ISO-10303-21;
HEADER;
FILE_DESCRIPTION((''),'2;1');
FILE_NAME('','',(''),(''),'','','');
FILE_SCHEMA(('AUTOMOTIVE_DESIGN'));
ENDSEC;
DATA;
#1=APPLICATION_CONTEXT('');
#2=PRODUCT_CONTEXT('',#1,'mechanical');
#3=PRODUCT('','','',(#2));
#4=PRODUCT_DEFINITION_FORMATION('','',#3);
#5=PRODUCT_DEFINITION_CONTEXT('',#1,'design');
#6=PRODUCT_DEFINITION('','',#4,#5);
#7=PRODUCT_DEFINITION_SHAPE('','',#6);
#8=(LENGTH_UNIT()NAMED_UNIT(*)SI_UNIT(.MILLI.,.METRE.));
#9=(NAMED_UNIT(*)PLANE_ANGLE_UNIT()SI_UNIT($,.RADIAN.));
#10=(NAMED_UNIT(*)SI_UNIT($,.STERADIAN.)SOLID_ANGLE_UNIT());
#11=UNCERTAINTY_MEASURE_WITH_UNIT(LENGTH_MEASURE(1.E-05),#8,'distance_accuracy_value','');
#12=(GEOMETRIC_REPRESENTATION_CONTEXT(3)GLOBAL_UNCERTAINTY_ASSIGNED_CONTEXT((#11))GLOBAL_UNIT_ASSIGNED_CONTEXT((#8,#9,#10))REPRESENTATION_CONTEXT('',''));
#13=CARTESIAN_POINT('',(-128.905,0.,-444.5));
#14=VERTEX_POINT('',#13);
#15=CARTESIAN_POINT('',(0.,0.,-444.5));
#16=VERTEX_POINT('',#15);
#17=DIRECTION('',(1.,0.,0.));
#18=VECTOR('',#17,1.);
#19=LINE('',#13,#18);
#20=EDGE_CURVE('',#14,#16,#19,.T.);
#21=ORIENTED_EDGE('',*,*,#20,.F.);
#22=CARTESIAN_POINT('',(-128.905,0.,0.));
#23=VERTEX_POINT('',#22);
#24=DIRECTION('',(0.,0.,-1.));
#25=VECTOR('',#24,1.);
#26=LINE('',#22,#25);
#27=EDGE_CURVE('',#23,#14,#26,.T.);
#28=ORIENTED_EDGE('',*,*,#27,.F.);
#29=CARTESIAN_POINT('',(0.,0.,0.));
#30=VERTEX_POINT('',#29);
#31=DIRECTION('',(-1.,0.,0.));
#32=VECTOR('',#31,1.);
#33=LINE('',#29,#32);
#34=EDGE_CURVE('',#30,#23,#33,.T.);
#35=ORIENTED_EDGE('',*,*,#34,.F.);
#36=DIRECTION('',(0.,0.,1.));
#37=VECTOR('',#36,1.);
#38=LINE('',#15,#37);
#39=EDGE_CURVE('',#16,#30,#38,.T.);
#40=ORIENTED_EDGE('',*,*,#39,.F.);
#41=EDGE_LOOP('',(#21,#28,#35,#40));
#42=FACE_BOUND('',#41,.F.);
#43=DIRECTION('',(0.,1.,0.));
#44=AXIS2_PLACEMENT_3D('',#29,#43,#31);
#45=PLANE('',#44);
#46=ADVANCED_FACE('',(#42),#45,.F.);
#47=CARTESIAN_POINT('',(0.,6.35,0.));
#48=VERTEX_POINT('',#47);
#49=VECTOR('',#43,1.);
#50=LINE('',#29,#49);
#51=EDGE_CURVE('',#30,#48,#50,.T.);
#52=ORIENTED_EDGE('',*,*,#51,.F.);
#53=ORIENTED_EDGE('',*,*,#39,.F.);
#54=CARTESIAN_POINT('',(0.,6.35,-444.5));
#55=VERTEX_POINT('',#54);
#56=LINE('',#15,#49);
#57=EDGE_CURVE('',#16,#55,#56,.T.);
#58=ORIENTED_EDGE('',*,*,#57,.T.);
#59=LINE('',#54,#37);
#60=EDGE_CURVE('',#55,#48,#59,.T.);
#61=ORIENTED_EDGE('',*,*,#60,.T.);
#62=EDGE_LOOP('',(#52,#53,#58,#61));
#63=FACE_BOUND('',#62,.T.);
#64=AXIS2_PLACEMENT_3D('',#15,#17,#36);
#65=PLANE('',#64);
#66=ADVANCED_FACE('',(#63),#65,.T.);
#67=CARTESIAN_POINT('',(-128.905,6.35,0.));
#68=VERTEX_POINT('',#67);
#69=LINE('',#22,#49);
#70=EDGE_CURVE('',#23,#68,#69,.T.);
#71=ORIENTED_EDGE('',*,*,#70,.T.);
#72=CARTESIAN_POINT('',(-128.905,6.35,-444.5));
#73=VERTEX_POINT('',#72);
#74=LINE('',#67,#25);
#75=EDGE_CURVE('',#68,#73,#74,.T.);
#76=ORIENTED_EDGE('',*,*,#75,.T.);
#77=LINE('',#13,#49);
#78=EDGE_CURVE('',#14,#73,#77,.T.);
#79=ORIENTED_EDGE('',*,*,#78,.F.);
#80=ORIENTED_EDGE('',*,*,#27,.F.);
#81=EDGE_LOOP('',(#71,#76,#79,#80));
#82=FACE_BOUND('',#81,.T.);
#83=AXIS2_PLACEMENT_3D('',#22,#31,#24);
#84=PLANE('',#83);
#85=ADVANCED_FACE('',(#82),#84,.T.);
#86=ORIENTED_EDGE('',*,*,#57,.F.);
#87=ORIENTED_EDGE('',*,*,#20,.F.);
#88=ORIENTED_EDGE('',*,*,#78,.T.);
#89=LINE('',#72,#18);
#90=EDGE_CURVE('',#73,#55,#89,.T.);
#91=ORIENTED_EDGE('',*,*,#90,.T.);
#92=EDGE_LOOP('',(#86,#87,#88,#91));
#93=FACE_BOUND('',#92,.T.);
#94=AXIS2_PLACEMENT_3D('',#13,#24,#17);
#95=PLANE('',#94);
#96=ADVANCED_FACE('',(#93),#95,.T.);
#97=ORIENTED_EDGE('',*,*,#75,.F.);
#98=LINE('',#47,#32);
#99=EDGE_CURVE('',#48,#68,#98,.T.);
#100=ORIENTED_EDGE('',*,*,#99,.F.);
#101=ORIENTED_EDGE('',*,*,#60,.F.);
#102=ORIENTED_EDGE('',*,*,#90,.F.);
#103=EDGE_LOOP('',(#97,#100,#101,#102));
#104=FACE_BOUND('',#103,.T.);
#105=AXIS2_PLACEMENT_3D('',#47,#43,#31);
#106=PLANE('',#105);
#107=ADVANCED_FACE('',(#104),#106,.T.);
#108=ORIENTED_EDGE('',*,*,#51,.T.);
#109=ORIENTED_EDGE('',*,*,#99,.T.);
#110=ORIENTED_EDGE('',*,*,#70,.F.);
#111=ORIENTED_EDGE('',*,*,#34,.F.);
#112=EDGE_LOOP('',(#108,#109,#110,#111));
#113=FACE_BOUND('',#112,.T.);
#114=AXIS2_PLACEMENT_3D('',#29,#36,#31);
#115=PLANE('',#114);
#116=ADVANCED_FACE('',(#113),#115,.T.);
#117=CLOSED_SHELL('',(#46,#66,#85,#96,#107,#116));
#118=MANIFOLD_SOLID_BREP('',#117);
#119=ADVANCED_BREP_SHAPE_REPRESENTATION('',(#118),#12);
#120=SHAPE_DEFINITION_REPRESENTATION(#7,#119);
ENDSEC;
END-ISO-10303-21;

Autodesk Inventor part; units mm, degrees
ref_plane "YZ Plane" through (0, 0, 0) normal (1, 0, 0) x (0, 1, 0)
ref_plane "XZ Plane" through (0, 0, 0) normal (0, 1, 0) x (-1, 0, 0)
ref_plane "XY Plane" through (0, 0, 0) normal (0, 0, 1) x (1, 0, 0)
sketch "Sketch1" plane through (0, 0, 0) normal (0, 1, 0) x (-1, 0, 0)
  line L0 (0, 0) -> (128.905, 0)
  line L1 (128.905, 0) -> (128.905, -444.5)
  line L2 (128.905, -444.5) -> (0, -444.5)
  line L3 (0, -444.5) -> (0, 0)
  dimension "d0" = 128.905
  dimension "d1" = 444.5
extrude "Extrusion1" add sketch "Sketch1" along normal blind 6.35
properties part number "platetestoutside"
